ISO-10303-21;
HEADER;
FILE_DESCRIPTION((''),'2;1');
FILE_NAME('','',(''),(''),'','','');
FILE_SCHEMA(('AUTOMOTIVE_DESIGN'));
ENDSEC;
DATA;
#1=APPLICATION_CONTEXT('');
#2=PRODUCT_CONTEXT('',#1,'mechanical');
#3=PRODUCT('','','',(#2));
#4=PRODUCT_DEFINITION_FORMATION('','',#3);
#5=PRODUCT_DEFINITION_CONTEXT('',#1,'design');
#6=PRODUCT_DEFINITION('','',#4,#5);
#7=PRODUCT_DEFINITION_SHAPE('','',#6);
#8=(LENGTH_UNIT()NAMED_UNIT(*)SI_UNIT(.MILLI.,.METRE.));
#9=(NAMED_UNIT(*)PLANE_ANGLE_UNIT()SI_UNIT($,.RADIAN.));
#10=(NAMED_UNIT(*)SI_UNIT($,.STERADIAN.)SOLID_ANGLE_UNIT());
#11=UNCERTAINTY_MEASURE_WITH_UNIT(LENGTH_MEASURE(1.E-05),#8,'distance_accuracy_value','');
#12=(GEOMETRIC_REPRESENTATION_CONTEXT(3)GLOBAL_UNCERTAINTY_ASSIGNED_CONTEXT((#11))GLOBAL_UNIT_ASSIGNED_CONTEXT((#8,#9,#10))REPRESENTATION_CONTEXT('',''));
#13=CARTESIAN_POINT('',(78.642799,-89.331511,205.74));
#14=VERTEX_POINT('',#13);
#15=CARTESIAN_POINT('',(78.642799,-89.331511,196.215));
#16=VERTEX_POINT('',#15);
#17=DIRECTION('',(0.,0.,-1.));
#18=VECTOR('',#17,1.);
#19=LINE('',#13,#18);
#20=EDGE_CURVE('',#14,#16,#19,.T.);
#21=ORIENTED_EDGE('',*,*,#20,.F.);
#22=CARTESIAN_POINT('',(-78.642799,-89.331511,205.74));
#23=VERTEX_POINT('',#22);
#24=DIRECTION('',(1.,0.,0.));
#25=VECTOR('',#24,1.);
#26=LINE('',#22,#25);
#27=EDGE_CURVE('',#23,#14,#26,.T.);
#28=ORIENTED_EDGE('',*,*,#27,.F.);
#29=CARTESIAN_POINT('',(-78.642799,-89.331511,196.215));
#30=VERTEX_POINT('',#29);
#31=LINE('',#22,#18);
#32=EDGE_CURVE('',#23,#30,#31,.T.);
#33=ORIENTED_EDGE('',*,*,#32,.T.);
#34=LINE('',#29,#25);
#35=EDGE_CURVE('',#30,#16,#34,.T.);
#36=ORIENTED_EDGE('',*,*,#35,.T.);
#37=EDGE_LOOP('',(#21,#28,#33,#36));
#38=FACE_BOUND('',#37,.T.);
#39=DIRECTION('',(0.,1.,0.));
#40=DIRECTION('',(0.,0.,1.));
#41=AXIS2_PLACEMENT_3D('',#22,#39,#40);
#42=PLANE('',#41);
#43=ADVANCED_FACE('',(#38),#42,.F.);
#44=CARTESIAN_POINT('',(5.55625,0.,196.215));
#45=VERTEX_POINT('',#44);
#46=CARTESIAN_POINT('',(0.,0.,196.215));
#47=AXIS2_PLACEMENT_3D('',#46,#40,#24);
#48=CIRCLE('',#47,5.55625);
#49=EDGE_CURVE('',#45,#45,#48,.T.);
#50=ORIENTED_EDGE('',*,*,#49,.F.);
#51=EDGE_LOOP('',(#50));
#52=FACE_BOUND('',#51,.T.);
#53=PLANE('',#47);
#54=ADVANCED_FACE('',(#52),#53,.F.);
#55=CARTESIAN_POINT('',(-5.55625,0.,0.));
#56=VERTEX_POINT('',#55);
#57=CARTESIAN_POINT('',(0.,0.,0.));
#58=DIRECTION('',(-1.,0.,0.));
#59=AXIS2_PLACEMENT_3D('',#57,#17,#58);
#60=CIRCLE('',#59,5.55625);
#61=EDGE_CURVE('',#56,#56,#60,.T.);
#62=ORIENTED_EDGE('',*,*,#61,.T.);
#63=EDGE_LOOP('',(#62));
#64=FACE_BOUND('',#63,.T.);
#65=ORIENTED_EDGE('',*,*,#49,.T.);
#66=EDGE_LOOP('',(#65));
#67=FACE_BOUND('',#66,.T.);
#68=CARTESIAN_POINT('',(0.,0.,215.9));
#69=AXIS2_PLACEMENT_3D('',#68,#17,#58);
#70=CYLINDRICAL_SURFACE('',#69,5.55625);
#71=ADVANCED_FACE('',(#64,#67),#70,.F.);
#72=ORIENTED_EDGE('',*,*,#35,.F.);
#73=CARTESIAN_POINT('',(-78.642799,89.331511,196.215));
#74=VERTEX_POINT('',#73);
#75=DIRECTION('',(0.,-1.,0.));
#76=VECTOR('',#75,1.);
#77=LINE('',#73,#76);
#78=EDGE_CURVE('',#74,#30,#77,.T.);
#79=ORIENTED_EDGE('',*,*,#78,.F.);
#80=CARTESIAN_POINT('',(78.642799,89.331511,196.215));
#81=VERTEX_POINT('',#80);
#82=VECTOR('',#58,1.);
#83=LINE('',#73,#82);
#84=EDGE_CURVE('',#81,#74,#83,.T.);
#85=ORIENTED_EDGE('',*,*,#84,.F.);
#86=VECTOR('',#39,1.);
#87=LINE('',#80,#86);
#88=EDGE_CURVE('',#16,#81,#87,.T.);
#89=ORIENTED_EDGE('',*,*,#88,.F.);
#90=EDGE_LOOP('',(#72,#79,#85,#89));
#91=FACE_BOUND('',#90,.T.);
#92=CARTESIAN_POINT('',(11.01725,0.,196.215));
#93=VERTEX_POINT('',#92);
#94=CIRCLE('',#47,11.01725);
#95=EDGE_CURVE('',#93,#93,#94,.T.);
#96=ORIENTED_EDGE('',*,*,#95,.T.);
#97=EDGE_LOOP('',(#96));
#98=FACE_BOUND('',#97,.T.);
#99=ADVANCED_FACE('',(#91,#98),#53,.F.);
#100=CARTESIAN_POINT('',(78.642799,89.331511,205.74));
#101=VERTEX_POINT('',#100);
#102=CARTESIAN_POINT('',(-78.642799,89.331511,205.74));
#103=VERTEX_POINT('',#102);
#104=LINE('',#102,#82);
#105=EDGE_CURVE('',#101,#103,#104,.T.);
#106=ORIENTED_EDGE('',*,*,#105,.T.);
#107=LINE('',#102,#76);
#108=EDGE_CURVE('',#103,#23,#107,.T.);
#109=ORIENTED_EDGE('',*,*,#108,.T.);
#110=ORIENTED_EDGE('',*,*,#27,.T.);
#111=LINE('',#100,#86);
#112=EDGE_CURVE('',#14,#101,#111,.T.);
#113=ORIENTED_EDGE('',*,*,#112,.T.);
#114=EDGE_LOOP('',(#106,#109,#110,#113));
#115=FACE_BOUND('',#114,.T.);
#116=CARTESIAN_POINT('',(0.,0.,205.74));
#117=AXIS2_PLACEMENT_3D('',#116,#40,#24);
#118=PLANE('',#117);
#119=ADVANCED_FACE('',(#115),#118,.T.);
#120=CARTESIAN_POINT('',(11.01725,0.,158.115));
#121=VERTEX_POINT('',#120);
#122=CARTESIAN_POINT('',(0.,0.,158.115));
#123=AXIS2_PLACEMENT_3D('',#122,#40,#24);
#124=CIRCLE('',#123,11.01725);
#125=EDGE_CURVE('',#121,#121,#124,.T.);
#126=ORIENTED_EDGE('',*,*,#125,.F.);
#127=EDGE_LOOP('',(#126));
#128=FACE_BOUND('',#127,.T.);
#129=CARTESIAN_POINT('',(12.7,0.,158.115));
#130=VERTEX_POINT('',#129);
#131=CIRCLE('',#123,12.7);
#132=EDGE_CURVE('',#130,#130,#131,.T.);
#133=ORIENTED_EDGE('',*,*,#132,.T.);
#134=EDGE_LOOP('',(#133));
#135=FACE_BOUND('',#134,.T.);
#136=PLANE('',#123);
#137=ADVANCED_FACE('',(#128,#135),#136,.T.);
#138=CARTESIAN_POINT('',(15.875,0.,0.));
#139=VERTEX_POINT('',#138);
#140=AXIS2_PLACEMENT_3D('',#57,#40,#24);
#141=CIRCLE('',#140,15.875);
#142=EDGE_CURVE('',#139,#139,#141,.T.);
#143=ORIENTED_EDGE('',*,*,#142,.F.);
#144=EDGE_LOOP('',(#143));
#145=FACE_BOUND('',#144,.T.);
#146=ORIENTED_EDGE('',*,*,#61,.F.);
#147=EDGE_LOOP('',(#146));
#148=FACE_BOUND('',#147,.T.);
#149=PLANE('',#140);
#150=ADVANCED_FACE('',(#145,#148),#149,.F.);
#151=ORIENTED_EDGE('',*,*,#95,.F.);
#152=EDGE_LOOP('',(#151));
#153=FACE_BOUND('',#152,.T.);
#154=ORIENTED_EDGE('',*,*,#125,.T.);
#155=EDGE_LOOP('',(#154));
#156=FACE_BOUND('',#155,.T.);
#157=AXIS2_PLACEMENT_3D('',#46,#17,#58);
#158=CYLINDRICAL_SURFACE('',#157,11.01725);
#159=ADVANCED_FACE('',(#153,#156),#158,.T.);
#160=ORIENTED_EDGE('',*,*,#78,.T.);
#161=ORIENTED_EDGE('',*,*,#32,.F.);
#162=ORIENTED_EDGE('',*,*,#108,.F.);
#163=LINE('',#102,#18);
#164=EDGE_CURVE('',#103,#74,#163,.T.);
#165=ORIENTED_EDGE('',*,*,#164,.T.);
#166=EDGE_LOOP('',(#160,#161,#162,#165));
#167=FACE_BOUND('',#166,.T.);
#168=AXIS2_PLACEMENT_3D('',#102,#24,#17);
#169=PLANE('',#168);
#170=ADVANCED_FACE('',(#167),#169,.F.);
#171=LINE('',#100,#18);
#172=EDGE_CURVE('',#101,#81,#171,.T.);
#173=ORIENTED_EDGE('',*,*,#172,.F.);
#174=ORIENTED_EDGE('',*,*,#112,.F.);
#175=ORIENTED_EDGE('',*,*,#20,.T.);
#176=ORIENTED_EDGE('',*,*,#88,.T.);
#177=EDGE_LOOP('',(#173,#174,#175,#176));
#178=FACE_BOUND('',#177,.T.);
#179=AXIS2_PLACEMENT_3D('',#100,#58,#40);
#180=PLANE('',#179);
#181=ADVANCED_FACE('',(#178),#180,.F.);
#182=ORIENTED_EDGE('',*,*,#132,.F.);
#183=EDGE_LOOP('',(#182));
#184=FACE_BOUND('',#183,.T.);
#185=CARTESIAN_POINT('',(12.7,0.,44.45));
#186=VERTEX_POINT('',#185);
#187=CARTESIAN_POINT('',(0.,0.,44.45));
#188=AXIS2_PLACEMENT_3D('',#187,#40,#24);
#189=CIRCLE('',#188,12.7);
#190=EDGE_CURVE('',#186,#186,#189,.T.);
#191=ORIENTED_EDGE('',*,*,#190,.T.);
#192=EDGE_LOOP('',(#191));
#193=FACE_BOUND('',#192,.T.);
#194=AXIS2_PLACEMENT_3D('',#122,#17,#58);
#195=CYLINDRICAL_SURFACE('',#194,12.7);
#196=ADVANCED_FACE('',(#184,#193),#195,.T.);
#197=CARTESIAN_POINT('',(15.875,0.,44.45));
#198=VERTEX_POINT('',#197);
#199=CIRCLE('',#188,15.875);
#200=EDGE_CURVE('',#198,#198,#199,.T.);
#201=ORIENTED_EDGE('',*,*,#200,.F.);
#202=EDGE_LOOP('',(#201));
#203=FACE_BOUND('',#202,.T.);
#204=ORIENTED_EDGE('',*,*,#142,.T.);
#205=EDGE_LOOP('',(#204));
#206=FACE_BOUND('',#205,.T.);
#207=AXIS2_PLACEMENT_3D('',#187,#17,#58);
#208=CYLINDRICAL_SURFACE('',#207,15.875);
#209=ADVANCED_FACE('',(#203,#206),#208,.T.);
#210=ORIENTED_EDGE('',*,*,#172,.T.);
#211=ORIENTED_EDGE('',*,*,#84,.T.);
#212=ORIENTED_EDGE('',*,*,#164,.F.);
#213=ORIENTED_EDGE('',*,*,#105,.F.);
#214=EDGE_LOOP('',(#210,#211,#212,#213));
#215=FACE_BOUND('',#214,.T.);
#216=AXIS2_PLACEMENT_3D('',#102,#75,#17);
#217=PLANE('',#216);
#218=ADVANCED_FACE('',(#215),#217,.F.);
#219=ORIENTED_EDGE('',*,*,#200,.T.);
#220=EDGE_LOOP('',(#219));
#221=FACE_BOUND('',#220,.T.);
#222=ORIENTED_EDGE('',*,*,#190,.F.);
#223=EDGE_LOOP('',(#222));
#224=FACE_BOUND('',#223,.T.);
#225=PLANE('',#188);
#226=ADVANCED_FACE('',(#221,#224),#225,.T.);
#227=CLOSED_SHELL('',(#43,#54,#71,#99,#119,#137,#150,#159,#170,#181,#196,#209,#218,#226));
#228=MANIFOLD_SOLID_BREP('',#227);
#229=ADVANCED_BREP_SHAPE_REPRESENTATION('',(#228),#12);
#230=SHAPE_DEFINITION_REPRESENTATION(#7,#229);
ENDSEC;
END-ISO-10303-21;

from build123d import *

# Parameters (mm, degrees)
SKETCH2_R           = 15.875
BOSS_EXTRUDE1_DEPTH = 44.45
SKETCH3_R           = 12.7
BOSS_EXTRUDE2_DEPTH = 113.665
SKETCH4_R           = 11.01725
BOSS_EXTRUDE3_DEPTH = 38.1
SKETCH6_R           = 5.55625
CUT_EXTRUDE1_DEPTH  = 215.9
SKETCH8_W           = 157.285598566
SKETCH8_H           = 178.663022366
BOSS_EXTRUDE5_DEPTH = 9.525


with BuildPart() as part:
    # Sketch2 → Boss-Extrude1 (new body)
    with BuildSketch(Plane.XY):
        Circle(SKETCH2_R)
    extrude(amount=BOSS_EXTRUDE1_DEPTH)

    # Sketch3 → Boss-Extrude2 (add)
    with BuildSketch(Plane.XY.offset(44.45)):
        Circle(SKETCH3_R)
    extrude(amount=BOSS_EXTRUDE2_DEPTH)

    # Sketch4 → Boss-Extrude3 (add)
    with BuildSketch(Plane.XY.offset(158.115)):
        Circle(SKETCH4_R)
    extrude(amount=BOSS_EXTRUDE3_DEPTH)

    # Sketch6 → Cut-Extrude1 (cut)
    with BuildSketch(Plane(origin=(0, 0, 0), x_dir=(-1, 0, 0), z_dir=(0, 0, -1))):
        Circle(SKETCH6_R)
    extrude(amount=-CUT_EXTRUDE1_DEPTH, mode=Mode.SUBTRACT)

    # Sketch8 → Boss-Extrude5 (add)
    with BuildSketch(Plane.XY.offset(196.215)):
        Rectangle(SKETCH8_W, SKETCH8_H)
    extrude(amount=BOSS_EXTRUDE5_DEPTH)


solid = part.part
